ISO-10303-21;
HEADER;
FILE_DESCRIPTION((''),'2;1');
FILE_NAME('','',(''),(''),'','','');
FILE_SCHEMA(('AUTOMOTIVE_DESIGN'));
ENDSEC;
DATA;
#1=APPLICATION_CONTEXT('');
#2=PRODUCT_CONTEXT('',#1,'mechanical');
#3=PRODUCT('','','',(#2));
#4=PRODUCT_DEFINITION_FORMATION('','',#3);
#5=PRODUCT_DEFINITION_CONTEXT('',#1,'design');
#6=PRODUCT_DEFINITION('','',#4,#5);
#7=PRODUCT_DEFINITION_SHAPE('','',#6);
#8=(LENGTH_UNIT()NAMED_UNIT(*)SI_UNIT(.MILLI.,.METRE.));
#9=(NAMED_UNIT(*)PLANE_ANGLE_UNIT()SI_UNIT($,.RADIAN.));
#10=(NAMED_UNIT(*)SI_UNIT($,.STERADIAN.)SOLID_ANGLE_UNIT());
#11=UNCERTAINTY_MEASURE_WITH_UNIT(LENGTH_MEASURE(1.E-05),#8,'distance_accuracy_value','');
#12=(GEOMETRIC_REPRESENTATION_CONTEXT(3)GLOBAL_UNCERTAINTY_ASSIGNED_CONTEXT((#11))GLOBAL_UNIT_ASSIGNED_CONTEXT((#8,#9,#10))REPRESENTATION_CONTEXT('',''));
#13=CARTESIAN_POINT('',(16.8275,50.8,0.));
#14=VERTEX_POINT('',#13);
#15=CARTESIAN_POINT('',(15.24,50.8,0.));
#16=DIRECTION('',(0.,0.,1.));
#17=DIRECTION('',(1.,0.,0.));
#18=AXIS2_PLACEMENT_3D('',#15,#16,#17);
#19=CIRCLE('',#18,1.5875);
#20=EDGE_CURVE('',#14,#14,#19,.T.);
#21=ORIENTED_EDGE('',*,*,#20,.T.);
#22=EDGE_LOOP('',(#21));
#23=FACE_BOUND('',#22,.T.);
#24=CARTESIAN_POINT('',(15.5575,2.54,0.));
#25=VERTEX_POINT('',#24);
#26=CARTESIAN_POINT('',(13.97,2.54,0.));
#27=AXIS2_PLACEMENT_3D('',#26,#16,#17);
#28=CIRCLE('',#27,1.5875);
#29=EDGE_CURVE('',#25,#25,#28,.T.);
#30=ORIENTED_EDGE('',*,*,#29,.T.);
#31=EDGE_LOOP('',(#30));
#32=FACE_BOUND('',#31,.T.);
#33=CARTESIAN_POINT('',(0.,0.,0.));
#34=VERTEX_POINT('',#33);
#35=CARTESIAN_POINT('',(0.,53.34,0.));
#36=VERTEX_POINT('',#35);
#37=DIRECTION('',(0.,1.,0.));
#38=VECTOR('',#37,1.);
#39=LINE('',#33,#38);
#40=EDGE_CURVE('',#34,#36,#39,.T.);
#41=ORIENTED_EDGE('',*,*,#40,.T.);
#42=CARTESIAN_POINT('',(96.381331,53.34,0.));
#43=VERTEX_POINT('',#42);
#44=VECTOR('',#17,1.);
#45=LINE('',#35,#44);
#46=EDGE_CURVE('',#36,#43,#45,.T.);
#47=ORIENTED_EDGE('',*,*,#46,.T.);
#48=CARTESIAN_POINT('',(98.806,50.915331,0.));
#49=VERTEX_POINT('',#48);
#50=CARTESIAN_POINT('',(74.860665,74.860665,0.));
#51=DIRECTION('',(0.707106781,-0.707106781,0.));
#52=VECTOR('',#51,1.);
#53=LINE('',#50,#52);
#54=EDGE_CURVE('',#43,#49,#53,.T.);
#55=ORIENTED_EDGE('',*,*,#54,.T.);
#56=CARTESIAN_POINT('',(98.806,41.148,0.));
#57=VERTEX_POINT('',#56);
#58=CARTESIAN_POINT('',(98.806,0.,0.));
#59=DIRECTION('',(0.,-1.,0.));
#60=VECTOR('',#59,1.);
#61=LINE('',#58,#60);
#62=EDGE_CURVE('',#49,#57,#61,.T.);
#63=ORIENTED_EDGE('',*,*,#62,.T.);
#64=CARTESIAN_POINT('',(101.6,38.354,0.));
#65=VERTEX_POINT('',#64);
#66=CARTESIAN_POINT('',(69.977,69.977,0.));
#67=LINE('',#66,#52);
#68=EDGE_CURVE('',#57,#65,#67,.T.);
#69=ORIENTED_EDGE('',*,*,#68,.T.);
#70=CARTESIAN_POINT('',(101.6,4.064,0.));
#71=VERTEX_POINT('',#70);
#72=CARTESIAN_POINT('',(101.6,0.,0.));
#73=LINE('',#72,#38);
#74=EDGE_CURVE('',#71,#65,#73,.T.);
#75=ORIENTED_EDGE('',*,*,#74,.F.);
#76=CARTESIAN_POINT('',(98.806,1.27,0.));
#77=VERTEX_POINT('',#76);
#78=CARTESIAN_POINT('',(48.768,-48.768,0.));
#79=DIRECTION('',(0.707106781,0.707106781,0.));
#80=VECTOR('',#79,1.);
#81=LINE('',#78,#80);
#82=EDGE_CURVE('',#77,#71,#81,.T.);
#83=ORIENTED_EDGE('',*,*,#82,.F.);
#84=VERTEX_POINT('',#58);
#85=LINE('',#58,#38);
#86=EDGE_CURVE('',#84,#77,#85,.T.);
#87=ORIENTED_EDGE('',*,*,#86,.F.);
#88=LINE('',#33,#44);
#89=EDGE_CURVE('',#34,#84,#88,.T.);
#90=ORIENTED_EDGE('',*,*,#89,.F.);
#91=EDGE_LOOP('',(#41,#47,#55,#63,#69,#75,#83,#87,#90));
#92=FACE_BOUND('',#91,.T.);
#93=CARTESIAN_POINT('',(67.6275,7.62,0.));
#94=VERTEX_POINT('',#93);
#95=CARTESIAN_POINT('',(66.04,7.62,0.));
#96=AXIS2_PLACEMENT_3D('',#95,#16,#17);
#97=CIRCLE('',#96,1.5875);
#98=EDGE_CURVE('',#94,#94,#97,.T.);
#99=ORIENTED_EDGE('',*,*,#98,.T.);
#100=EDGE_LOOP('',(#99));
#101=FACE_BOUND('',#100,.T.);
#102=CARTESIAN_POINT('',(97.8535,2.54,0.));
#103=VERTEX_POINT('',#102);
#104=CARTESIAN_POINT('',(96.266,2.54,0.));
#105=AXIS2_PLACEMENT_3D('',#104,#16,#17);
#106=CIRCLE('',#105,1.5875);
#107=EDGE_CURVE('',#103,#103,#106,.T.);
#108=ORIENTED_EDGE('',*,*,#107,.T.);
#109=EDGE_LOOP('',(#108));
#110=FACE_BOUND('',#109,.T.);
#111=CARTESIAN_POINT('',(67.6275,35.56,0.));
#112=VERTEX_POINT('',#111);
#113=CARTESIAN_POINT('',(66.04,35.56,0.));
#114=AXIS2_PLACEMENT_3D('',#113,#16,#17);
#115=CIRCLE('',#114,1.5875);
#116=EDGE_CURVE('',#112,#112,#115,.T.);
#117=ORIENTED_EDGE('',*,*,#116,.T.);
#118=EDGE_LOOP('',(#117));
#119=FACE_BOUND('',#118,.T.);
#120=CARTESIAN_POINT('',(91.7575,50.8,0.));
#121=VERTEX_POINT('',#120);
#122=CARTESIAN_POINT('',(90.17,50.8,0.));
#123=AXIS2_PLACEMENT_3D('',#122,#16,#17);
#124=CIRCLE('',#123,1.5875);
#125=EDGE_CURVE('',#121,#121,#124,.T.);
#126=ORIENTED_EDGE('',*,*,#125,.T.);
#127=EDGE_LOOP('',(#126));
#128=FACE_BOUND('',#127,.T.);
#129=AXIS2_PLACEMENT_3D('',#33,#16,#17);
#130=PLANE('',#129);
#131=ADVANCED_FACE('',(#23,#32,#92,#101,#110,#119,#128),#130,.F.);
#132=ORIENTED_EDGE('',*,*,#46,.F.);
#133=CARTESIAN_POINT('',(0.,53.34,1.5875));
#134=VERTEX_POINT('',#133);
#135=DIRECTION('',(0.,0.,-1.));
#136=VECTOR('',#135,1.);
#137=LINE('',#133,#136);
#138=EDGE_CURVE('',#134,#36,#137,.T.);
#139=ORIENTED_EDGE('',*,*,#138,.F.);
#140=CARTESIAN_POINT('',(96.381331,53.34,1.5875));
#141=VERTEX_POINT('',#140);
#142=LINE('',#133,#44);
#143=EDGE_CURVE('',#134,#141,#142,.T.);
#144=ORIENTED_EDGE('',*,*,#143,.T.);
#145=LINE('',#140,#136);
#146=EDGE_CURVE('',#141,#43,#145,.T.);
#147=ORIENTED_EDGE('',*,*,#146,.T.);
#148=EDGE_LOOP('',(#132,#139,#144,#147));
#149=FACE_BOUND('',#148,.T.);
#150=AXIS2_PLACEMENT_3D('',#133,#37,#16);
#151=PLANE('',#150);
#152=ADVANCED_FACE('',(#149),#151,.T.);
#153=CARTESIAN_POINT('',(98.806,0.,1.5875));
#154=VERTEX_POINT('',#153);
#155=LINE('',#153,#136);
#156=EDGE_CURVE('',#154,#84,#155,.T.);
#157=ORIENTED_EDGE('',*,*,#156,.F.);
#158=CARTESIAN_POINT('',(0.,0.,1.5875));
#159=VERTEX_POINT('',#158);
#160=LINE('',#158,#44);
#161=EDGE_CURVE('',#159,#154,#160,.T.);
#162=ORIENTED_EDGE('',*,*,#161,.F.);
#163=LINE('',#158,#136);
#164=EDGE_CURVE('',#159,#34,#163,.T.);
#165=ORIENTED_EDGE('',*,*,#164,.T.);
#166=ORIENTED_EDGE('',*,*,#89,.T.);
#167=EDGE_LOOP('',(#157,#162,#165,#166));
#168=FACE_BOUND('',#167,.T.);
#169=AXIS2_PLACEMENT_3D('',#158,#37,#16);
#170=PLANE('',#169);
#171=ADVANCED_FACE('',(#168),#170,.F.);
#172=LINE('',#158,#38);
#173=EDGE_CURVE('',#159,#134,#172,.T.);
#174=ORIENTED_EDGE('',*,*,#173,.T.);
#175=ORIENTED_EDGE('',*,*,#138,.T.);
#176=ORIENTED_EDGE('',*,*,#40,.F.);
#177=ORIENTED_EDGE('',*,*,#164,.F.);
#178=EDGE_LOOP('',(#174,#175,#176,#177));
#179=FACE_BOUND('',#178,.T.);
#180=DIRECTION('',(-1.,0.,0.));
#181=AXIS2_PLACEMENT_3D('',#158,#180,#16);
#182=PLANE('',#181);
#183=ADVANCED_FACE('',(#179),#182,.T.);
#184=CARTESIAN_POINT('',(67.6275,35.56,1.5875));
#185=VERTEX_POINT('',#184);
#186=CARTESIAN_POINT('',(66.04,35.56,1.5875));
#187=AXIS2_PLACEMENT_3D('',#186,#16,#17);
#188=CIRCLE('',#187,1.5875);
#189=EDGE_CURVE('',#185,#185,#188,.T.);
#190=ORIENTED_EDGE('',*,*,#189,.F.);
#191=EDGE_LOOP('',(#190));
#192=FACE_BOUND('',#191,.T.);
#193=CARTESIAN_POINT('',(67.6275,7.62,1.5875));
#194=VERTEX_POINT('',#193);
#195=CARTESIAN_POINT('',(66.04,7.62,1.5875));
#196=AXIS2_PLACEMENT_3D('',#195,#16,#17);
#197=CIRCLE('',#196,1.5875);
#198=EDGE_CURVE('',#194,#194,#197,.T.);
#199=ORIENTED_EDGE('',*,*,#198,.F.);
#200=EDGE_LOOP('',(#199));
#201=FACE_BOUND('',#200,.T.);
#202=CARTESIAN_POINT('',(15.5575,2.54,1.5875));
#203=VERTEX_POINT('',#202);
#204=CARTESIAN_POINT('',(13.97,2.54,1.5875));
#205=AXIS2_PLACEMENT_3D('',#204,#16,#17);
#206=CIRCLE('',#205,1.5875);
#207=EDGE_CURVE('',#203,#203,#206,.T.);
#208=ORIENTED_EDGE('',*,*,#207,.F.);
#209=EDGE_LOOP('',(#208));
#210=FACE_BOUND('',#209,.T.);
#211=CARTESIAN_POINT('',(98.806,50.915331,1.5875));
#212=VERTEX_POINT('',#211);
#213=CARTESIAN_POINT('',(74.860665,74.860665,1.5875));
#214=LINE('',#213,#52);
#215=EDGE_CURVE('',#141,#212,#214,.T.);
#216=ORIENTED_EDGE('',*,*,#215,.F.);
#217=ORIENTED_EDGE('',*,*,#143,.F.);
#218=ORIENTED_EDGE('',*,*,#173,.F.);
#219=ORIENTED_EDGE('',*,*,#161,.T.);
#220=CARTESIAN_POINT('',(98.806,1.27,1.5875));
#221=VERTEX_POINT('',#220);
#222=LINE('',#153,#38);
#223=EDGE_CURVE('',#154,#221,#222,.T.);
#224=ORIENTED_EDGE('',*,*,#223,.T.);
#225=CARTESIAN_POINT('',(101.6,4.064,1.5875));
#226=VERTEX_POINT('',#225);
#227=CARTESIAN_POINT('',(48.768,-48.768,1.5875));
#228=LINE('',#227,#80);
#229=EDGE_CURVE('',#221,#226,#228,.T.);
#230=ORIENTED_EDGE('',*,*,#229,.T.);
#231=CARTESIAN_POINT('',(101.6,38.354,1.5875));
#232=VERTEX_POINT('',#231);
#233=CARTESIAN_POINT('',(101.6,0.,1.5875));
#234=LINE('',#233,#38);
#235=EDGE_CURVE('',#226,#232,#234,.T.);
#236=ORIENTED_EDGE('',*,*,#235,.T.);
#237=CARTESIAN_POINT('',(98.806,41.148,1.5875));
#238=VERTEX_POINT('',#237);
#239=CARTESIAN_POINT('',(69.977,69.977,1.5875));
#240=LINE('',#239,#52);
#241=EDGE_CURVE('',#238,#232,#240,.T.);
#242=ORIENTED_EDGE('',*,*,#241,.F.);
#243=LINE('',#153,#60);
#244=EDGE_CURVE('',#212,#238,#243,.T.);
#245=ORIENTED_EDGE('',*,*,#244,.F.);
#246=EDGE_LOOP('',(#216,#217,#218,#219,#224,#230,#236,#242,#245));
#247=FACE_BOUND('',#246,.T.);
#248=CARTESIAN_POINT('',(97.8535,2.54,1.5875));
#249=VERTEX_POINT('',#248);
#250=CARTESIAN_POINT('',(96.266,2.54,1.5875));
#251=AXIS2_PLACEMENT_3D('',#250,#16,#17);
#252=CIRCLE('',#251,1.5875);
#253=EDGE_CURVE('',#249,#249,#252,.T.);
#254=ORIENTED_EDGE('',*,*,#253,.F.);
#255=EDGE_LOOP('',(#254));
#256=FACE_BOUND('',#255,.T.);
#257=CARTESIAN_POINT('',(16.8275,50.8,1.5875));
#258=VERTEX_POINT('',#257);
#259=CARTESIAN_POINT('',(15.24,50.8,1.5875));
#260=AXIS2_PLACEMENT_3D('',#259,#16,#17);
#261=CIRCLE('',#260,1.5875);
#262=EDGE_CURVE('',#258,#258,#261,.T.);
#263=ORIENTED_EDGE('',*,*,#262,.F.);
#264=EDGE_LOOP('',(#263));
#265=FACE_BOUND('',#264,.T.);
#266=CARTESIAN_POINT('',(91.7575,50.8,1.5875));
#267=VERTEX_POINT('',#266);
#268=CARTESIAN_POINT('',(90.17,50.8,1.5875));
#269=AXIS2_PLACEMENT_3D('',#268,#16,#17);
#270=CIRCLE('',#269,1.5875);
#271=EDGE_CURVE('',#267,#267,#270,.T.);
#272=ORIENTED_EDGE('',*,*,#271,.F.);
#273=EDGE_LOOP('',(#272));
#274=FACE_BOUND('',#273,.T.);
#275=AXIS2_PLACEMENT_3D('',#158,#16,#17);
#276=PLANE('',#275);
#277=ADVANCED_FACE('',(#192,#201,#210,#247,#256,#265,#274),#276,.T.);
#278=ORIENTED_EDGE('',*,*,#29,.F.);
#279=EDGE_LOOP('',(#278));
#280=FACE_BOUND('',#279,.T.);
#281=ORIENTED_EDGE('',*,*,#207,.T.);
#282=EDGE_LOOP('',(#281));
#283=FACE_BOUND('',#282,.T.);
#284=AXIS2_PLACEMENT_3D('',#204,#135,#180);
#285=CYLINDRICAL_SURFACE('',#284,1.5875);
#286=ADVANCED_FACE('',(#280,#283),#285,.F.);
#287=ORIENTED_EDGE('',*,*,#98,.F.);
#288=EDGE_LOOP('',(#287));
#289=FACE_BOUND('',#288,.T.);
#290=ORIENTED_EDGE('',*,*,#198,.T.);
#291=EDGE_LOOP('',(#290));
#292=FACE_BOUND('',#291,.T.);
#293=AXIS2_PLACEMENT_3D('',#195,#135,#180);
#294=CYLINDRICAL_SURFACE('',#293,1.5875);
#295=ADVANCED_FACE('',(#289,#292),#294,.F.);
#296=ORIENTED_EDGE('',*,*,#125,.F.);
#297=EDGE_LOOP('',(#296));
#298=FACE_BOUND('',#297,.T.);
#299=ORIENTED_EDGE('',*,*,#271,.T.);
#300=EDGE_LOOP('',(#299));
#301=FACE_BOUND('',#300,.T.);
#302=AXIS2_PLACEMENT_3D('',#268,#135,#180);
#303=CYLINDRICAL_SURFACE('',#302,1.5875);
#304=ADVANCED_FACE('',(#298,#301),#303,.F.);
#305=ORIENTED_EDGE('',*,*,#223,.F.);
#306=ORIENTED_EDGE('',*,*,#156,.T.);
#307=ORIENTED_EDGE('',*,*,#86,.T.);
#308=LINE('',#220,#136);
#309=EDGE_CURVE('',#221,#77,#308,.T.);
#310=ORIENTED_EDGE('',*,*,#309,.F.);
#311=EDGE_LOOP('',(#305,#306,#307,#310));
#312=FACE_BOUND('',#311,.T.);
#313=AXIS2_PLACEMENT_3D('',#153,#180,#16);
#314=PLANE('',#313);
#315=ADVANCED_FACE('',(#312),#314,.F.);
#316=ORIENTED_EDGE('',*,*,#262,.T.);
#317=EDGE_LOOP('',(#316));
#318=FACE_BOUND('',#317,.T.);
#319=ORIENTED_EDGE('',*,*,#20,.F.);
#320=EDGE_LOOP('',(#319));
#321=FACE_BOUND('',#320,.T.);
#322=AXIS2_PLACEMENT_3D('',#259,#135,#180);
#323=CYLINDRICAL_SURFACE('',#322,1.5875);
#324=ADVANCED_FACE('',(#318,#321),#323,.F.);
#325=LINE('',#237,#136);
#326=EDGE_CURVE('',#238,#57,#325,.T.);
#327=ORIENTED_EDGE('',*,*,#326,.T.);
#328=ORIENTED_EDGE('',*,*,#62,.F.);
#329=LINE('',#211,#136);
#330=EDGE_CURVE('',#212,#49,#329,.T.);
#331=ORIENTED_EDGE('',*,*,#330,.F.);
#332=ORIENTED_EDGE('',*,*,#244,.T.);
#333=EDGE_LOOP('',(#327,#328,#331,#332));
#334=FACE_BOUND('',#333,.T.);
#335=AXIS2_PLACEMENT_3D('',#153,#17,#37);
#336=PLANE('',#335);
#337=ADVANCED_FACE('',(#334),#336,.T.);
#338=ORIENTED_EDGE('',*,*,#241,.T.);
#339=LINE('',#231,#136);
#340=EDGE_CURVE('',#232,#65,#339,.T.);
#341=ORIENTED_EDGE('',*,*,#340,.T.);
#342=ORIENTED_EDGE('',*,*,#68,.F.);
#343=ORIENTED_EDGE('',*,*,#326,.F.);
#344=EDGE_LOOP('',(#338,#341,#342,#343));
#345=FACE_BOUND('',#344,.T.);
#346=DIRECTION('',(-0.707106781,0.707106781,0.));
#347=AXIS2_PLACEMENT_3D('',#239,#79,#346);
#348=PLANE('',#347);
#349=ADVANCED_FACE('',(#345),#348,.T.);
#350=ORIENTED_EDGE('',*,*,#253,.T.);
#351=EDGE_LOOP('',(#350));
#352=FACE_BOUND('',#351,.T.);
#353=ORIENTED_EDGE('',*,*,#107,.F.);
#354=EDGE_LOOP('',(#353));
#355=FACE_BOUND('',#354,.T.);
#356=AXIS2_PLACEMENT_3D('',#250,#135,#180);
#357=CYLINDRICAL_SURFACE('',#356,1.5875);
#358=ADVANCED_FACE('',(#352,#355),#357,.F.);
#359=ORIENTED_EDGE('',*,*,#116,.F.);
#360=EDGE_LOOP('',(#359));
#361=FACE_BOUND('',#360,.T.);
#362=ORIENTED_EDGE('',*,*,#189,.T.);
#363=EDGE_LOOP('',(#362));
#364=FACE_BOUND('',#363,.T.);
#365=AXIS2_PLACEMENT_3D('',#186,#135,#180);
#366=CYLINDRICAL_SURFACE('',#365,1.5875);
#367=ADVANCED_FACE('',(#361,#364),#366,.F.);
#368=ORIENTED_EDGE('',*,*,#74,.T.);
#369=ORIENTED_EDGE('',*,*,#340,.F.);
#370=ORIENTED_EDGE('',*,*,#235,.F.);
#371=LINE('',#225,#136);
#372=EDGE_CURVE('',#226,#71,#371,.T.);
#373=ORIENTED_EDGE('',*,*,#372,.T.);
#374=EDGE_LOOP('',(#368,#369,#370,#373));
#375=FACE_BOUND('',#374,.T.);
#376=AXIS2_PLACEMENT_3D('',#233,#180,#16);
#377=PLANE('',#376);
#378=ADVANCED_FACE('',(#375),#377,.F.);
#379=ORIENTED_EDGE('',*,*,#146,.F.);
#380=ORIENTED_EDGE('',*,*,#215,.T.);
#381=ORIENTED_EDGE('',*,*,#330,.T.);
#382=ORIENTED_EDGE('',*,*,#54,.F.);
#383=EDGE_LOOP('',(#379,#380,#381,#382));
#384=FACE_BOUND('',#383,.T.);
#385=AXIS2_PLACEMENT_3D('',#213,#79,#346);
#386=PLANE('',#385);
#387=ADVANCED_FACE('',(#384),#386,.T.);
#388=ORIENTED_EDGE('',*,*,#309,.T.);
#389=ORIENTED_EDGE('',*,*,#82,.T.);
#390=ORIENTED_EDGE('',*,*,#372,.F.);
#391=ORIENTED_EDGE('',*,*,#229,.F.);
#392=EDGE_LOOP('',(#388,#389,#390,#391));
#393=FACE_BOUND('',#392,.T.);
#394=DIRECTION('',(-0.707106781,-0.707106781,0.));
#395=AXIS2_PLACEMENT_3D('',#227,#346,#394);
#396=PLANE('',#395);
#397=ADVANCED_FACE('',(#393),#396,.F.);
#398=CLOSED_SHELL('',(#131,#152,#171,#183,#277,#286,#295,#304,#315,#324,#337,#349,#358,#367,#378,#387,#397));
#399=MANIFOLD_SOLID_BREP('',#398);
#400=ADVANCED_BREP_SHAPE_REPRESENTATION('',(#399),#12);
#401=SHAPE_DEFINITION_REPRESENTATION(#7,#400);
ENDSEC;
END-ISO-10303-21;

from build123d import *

# Parameters (mm, degrees)
SKETCH1_R           = 1.5875
BOSS_EXTRUDE1_DEPTH = 1.5875


with BuildPart() as part:
    # Sketch1 → Boss-Extrude1 (new body)
    with BuildSketch(Plane.XY):
        Polygon((0, 53.34), (0, 0), (98.806, 0), (98.806, 1.27), (101.6, 4.064), (101.6, 38.354), (98.806, 41.148), (98.806, 50.915330847), (96.381330847, 53.34), align=None)
        with Locations((13.97, 2.54)):
            Circle(SKETCH1_R, mode=Mode.SUBTRACT)
        with Locations((66.04, 7.62)):
            Circle(SKETCH1_R, mode=Mode.SUBTRACT)
        with Locations((96.266, 2.54)):
            Circle(SKETCH1_R, mode=Mode.SUBTRACT)
        with Locations((15.24, 50.8)):
            Circle(SKETCH1_R, mode=Mode.SUBTRACT)
        with Locations((66.04, 35.56)):
            Circle(SKETCH1_R, mode=Mode.SUBTRACT)
        with Locations((90.17, 50.8)):
            Circle(SKETCH1_R, mode=Mode.SUBTRACT)
    extrude(amount=BOSS_EXTRUDE1_DEPTH)


solid = part.part
